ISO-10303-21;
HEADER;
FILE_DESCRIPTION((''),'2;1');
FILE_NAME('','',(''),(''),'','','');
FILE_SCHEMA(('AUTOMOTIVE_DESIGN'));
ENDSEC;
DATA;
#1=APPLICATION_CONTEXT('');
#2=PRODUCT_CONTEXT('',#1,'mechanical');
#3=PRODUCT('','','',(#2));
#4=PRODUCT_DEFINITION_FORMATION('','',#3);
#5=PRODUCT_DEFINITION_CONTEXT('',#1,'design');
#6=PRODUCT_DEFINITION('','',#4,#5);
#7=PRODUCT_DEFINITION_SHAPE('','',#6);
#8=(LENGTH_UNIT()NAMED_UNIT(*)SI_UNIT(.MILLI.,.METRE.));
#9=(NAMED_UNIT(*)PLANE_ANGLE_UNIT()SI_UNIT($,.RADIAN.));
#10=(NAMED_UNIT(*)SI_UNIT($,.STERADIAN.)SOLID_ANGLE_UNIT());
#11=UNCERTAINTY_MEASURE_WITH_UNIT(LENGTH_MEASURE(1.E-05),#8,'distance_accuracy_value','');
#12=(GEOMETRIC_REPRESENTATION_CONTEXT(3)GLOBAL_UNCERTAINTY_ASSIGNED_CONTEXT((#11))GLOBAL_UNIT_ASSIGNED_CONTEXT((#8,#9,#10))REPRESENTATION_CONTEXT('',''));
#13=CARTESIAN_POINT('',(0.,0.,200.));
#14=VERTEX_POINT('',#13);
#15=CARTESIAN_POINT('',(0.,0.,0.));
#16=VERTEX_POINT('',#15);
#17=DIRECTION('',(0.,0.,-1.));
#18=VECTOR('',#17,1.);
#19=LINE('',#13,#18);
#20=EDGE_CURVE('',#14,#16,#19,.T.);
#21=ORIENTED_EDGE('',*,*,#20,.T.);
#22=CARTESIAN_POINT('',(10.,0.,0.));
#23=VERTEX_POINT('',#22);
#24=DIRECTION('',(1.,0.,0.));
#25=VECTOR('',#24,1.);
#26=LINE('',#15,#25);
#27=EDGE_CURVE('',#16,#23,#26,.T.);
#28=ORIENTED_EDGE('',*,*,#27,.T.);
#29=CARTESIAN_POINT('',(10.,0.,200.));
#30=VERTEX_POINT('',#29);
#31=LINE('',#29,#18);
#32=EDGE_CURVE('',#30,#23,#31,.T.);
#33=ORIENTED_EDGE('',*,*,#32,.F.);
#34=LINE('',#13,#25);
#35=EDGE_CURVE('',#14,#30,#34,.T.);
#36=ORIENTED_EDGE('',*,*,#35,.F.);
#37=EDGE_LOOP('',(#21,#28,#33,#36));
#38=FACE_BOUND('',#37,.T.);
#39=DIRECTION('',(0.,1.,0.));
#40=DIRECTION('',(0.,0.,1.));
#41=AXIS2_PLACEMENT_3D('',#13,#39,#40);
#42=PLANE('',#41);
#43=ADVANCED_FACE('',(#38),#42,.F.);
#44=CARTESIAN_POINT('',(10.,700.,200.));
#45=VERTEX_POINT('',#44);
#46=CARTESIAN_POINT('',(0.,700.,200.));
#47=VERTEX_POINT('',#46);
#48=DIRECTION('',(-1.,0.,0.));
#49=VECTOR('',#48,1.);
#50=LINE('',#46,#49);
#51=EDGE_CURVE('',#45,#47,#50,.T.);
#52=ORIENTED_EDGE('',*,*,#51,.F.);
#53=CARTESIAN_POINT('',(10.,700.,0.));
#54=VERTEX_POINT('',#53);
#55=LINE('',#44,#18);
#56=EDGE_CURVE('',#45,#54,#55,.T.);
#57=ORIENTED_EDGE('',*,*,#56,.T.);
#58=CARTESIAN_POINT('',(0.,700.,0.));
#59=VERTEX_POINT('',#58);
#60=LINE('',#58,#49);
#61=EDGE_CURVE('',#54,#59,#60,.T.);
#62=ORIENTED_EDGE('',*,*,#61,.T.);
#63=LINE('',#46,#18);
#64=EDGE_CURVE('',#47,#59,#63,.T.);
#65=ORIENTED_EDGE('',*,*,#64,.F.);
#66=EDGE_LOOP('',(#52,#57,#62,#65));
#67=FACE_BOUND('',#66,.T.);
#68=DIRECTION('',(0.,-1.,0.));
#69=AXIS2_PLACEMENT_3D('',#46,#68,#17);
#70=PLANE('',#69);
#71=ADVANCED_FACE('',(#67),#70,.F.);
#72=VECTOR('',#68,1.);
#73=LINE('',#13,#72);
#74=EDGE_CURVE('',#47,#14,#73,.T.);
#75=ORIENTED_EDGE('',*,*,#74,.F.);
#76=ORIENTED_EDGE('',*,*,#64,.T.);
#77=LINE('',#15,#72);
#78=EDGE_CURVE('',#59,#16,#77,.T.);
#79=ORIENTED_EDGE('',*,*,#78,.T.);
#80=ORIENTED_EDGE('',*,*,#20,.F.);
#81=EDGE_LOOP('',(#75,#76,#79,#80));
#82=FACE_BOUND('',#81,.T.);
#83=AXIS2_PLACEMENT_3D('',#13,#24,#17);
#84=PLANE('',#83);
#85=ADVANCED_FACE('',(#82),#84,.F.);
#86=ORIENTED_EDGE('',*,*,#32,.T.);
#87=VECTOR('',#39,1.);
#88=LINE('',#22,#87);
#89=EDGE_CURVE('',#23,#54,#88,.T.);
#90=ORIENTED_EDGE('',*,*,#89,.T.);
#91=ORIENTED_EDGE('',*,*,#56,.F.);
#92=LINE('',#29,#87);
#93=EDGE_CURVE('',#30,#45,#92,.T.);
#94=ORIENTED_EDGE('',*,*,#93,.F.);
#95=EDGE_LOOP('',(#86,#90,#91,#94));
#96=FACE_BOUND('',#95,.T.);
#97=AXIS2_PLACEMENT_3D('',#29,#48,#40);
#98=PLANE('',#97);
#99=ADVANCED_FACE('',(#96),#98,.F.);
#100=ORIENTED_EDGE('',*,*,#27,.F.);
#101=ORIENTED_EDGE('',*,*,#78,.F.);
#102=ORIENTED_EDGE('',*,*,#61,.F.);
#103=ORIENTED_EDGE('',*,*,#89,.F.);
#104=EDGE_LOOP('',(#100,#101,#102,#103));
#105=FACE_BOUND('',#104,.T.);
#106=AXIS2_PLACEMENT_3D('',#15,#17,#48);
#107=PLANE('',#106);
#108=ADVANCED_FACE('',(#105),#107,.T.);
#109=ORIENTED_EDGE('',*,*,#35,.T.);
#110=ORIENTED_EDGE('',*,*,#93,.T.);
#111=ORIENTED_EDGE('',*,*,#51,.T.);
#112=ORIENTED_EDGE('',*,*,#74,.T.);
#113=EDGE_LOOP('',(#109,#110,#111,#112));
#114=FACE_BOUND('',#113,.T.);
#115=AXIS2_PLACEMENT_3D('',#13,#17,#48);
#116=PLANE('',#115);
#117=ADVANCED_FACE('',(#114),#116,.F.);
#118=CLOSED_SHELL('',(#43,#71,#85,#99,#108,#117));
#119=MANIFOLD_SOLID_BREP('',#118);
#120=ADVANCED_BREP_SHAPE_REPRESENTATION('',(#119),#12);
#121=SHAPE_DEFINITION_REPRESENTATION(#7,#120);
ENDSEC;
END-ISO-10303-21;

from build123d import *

# Parameters (mm, degrees)
CROQUIS1_W              = 10
CROQUIS1_H              = 700
SALIENTE_EXTRUIR1_DEPTH = 200


with BuildPart() as part:
    # Croquis1 → Saliente-Extruir1 (new body)
    with BuildSketch(Plane.XY):
        with Locations((5, 350)):
            Rectangle(CROQUIS1_W, CROQUIS1_H)
    extrude(amount=SALIENTE_EXTRUIR1_DEPTH)


solid = part.part
